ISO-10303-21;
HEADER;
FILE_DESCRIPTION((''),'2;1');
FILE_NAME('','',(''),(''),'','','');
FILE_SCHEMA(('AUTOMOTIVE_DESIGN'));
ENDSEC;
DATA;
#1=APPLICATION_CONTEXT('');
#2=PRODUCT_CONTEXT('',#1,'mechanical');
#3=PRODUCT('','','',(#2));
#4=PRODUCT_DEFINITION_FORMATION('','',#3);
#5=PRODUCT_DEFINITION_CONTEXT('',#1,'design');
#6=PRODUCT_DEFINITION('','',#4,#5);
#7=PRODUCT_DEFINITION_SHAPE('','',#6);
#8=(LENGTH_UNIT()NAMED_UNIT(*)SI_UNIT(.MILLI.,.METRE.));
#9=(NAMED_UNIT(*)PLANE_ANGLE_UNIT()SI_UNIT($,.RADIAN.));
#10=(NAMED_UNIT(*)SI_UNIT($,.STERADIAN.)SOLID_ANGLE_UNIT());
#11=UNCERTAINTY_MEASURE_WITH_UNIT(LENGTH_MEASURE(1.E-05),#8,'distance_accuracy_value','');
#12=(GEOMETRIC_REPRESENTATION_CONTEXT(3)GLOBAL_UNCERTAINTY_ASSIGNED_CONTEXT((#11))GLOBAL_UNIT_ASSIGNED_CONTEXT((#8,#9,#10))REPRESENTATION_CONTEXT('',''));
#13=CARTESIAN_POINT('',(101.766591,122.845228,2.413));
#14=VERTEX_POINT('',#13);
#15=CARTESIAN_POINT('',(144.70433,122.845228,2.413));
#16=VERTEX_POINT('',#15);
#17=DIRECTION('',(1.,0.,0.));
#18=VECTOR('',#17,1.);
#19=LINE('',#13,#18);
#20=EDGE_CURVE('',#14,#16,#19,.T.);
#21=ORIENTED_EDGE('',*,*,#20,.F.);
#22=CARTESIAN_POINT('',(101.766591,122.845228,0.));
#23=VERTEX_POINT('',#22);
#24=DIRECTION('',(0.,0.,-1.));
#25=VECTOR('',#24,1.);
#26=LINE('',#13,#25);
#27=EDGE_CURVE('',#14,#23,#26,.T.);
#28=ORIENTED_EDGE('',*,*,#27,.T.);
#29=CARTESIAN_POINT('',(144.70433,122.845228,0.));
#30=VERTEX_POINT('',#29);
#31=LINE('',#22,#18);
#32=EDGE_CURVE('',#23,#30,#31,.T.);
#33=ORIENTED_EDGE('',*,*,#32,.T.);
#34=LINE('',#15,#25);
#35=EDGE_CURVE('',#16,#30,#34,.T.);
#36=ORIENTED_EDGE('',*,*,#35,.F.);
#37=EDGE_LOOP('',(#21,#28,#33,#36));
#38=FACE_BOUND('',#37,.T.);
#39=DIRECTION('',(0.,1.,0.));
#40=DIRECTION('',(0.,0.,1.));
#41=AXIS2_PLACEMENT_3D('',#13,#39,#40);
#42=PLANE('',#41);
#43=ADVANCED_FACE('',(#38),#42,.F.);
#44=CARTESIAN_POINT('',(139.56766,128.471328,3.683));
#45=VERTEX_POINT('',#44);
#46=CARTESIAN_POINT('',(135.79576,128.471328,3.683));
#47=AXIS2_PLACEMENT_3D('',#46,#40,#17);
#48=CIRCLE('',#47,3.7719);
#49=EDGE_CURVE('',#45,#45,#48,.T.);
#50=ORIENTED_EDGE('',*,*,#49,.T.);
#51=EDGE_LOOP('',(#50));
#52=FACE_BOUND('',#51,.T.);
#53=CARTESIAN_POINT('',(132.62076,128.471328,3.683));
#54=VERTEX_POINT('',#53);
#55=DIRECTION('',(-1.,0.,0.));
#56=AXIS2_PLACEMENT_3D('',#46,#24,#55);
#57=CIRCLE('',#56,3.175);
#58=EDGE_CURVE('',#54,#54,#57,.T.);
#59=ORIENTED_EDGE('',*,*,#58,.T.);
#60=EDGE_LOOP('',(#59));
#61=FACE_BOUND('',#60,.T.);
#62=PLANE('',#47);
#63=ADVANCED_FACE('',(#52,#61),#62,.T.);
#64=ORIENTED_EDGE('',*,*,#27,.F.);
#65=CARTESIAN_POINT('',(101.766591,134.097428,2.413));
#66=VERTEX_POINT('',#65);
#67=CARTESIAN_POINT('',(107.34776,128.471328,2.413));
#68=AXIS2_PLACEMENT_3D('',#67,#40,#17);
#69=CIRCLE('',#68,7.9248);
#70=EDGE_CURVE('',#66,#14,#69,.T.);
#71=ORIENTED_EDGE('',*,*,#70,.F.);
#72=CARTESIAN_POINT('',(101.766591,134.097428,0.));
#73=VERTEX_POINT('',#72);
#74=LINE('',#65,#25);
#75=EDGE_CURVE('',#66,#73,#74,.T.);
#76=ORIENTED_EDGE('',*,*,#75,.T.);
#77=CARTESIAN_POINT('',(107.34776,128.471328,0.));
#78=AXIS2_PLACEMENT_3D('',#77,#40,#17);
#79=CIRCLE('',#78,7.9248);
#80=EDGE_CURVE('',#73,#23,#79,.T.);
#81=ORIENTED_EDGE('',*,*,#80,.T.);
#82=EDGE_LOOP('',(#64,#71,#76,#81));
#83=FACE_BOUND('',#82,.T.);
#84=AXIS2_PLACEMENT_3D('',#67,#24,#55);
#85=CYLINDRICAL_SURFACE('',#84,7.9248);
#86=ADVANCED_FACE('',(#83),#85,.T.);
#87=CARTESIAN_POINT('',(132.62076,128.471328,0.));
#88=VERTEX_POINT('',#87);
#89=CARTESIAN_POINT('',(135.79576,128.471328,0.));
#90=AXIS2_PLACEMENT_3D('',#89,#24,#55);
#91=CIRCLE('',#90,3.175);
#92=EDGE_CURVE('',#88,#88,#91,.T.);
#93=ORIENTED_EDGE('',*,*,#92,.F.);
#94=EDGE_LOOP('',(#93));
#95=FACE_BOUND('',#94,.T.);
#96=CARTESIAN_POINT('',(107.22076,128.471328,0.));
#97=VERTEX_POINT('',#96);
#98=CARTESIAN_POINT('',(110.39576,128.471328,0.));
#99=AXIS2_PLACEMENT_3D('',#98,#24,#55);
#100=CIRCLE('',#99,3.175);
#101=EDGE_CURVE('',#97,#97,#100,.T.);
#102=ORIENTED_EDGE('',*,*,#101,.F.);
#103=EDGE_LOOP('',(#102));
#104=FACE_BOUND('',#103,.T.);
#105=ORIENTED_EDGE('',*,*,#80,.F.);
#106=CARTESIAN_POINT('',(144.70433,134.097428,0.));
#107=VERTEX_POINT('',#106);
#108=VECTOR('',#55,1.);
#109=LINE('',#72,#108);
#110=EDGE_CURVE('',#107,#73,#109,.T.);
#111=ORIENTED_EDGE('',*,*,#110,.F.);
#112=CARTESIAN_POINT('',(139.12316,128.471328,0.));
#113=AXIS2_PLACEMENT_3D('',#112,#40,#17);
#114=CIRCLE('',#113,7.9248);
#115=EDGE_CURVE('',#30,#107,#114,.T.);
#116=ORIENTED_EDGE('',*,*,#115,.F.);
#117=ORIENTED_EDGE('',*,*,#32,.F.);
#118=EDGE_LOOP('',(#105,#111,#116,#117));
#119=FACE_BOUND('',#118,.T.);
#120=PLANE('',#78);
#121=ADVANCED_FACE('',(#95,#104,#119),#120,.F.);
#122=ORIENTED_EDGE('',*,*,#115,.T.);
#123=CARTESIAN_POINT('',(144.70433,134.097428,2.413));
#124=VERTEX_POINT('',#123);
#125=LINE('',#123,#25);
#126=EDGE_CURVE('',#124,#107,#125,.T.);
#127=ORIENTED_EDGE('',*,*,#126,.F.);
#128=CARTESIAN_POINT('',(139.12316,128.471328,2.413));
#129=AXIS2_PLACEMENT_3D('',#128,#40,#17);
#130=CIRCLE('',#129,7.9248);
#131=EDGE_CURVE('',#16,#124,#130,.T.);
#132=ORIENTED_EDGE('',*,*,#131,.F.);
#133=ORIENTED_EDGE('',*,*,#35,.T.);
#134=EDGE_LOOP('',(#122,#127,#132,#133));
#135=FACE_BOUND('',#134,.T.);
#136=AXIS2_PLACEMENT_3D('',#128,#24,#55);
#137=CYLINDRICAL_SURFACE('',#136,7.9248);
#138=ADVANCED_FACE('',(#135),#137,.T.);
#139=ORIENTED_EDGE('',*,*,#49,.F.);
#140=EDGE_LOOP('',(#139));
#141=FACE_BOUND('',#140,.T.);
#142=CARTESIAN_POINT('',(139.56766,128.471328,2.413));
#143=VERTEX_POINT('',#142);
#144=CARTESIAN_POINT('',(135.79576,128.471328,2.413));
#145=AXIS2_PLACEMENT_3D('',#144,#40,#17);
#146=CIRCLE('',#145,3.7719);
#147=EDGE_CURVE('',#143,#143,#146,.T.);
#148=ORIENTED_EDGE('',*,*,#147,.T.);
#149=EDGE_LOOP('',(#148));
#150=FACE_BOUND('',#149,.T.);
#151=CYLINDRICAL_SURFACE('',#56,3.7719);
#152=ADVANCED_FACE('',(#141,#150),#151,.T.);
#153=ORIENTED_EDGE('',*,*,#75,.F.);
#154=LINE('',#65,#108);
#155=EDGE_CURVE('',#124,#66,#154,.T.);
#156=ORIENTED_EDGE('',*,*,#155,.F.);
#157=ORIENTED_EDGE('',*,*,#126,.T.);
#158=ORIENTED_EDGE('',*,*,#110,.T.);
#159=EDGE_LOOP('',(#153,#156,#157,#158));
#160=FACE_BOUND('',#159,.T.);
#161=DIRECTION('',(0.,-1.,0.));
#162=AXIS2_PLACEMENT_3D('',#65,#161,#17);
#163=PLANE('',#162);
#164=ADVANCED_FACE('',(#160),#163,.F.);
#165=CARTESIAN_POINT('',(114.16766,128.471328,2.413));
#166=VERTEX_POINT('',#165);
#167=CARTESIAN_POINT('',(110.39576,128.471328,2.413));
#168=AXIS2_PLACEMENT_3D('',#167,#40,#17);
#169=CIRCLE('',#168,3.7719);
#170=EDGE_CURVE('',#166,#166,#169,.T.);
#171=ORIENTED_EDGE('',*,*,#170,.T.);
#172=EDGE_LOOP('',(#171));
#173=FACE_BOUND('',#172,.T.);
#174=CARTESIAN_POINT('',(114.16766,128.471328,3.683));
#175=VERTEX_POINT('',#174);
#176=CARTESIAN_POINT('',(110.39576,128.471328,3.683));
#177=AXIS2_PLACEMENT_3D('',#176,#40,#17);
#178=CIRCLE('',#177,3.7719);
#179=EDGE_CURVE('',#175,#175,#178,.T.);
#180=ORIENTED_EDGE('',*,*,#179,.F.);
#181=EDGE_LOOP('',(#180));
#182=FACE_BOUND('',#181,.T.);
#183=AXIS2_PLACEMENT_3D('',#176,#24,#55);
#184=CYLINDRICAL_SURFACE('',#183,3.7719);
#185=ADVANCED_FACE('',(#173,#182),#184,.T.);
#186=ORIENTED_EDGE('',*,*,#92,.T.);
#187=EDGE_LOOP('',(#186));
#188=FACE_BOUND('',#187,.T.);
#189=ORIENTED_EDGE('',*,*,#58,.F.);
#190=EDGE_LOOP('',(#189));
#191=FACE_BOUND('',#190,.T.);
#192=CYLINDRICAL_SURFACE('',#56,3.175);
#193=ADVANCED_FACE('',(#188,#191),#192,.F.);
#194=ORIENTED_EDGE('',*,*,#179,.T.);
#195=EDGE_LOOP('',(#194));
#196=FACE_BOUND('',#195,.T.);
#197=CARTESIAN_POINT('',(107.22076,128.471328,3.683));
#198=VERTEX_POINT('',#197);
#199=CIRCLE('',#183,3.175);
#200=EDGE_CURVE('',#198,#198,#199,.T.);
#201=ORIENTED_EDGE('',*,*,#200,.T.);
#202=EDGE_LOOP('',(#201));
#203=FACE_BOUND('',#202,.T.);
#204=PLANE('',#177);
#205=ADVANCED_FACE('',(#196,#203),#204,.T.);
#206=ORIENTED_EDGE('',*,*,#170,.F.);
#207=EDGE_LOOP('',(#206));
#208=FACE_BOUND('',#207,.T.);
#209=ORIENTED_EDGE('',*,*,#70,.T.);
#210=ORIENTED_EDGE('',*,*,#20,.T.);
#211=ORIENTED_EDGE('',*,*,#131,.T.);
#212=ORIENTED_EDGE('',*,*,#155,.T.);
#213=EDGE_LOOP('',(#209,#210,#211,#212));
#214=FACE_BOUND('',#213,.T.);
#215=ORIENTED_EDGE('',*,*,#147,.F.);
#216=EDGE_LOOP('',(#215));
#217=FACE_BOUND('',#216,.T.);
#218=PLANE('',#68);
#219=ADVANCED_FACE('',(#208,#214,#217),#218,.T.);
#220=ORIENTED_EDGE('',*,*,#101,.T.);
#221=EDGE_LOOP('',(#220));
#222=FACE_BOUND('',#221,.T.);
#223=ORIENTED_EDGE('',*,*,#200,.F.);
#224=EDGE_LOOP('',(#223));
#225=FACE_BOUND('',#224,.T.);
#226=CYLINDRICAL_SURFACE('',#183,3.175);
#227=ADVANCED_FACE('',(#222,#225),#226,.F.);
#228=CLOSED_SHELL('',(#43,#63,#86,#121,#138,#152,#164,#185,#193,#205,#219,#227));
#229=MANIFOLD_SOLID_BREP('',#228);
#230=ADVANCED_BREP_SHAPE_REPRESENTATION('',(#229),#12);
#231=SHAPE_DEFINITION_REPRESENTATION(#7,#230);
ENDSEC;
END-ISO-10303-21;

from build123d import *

# Parameters (mm, degrees)
EXTRUDE1_DEPTH     = 2.413
SKETCH4_R          = 3.7719
EXTRUDE3_DEPTH     = 1.27
SKETCH6_R          = 3.175
CUT_EXTRUDE1_DEPTH = 4.683


with BuildPart() as part:
    # Sketch1 → Extrude1 (new body)
    with BuildSketch(Plane.XY):
        with BuildLine():
            Line((101.766590689, 134.097427572), (144.70432984, 134.097427572))
            ThreePointArc((144.70432984, 134.097427572), (147.047960264, 128.471327572), (144.70432984, 122.845227572))
            Line((144.70432984, 122.845227572), (101.766590689, 122.845227572))
            ThreePointArc((101.766590689, 122.845227572), (99.422960264, 128.471327572), (101.766590689, 134.097427572))
        make_face()
    extrude(amount=EXTRUDE1_DEPTH)

    # Sketch4 → Extrude3 (add)
    with BuildSketch(Plane.XY.offset(2.413)):
        with Locations((135.795760264, 128.471327572)):
            Circle(SKETCH4_R)
        with Locations((110.395760264, 128.471327572)):
            Circle(SKETCH4_R)
    extrude(amount=EXTRUDE3_DEPTH)

    # Sketch6 → Cut-Extrude1 (cut, through all)
    with BuildSketch(Plane(origin=(0, 0, 0), x_dir=(-1, 0, 0), z_dir=(0, 0, -1))):
        with Locations((-135.795760264, 128.471327572)):
            Circle(SKETCH6_R)
        with Locations((-110.395760264, 128.471327572)):
            Circle(SKETCH6_R)
    extrude(amount=-CUT_EXTRUDE1_DEPTH, mode=Mode.SUBTRACT)


solid = part.part
